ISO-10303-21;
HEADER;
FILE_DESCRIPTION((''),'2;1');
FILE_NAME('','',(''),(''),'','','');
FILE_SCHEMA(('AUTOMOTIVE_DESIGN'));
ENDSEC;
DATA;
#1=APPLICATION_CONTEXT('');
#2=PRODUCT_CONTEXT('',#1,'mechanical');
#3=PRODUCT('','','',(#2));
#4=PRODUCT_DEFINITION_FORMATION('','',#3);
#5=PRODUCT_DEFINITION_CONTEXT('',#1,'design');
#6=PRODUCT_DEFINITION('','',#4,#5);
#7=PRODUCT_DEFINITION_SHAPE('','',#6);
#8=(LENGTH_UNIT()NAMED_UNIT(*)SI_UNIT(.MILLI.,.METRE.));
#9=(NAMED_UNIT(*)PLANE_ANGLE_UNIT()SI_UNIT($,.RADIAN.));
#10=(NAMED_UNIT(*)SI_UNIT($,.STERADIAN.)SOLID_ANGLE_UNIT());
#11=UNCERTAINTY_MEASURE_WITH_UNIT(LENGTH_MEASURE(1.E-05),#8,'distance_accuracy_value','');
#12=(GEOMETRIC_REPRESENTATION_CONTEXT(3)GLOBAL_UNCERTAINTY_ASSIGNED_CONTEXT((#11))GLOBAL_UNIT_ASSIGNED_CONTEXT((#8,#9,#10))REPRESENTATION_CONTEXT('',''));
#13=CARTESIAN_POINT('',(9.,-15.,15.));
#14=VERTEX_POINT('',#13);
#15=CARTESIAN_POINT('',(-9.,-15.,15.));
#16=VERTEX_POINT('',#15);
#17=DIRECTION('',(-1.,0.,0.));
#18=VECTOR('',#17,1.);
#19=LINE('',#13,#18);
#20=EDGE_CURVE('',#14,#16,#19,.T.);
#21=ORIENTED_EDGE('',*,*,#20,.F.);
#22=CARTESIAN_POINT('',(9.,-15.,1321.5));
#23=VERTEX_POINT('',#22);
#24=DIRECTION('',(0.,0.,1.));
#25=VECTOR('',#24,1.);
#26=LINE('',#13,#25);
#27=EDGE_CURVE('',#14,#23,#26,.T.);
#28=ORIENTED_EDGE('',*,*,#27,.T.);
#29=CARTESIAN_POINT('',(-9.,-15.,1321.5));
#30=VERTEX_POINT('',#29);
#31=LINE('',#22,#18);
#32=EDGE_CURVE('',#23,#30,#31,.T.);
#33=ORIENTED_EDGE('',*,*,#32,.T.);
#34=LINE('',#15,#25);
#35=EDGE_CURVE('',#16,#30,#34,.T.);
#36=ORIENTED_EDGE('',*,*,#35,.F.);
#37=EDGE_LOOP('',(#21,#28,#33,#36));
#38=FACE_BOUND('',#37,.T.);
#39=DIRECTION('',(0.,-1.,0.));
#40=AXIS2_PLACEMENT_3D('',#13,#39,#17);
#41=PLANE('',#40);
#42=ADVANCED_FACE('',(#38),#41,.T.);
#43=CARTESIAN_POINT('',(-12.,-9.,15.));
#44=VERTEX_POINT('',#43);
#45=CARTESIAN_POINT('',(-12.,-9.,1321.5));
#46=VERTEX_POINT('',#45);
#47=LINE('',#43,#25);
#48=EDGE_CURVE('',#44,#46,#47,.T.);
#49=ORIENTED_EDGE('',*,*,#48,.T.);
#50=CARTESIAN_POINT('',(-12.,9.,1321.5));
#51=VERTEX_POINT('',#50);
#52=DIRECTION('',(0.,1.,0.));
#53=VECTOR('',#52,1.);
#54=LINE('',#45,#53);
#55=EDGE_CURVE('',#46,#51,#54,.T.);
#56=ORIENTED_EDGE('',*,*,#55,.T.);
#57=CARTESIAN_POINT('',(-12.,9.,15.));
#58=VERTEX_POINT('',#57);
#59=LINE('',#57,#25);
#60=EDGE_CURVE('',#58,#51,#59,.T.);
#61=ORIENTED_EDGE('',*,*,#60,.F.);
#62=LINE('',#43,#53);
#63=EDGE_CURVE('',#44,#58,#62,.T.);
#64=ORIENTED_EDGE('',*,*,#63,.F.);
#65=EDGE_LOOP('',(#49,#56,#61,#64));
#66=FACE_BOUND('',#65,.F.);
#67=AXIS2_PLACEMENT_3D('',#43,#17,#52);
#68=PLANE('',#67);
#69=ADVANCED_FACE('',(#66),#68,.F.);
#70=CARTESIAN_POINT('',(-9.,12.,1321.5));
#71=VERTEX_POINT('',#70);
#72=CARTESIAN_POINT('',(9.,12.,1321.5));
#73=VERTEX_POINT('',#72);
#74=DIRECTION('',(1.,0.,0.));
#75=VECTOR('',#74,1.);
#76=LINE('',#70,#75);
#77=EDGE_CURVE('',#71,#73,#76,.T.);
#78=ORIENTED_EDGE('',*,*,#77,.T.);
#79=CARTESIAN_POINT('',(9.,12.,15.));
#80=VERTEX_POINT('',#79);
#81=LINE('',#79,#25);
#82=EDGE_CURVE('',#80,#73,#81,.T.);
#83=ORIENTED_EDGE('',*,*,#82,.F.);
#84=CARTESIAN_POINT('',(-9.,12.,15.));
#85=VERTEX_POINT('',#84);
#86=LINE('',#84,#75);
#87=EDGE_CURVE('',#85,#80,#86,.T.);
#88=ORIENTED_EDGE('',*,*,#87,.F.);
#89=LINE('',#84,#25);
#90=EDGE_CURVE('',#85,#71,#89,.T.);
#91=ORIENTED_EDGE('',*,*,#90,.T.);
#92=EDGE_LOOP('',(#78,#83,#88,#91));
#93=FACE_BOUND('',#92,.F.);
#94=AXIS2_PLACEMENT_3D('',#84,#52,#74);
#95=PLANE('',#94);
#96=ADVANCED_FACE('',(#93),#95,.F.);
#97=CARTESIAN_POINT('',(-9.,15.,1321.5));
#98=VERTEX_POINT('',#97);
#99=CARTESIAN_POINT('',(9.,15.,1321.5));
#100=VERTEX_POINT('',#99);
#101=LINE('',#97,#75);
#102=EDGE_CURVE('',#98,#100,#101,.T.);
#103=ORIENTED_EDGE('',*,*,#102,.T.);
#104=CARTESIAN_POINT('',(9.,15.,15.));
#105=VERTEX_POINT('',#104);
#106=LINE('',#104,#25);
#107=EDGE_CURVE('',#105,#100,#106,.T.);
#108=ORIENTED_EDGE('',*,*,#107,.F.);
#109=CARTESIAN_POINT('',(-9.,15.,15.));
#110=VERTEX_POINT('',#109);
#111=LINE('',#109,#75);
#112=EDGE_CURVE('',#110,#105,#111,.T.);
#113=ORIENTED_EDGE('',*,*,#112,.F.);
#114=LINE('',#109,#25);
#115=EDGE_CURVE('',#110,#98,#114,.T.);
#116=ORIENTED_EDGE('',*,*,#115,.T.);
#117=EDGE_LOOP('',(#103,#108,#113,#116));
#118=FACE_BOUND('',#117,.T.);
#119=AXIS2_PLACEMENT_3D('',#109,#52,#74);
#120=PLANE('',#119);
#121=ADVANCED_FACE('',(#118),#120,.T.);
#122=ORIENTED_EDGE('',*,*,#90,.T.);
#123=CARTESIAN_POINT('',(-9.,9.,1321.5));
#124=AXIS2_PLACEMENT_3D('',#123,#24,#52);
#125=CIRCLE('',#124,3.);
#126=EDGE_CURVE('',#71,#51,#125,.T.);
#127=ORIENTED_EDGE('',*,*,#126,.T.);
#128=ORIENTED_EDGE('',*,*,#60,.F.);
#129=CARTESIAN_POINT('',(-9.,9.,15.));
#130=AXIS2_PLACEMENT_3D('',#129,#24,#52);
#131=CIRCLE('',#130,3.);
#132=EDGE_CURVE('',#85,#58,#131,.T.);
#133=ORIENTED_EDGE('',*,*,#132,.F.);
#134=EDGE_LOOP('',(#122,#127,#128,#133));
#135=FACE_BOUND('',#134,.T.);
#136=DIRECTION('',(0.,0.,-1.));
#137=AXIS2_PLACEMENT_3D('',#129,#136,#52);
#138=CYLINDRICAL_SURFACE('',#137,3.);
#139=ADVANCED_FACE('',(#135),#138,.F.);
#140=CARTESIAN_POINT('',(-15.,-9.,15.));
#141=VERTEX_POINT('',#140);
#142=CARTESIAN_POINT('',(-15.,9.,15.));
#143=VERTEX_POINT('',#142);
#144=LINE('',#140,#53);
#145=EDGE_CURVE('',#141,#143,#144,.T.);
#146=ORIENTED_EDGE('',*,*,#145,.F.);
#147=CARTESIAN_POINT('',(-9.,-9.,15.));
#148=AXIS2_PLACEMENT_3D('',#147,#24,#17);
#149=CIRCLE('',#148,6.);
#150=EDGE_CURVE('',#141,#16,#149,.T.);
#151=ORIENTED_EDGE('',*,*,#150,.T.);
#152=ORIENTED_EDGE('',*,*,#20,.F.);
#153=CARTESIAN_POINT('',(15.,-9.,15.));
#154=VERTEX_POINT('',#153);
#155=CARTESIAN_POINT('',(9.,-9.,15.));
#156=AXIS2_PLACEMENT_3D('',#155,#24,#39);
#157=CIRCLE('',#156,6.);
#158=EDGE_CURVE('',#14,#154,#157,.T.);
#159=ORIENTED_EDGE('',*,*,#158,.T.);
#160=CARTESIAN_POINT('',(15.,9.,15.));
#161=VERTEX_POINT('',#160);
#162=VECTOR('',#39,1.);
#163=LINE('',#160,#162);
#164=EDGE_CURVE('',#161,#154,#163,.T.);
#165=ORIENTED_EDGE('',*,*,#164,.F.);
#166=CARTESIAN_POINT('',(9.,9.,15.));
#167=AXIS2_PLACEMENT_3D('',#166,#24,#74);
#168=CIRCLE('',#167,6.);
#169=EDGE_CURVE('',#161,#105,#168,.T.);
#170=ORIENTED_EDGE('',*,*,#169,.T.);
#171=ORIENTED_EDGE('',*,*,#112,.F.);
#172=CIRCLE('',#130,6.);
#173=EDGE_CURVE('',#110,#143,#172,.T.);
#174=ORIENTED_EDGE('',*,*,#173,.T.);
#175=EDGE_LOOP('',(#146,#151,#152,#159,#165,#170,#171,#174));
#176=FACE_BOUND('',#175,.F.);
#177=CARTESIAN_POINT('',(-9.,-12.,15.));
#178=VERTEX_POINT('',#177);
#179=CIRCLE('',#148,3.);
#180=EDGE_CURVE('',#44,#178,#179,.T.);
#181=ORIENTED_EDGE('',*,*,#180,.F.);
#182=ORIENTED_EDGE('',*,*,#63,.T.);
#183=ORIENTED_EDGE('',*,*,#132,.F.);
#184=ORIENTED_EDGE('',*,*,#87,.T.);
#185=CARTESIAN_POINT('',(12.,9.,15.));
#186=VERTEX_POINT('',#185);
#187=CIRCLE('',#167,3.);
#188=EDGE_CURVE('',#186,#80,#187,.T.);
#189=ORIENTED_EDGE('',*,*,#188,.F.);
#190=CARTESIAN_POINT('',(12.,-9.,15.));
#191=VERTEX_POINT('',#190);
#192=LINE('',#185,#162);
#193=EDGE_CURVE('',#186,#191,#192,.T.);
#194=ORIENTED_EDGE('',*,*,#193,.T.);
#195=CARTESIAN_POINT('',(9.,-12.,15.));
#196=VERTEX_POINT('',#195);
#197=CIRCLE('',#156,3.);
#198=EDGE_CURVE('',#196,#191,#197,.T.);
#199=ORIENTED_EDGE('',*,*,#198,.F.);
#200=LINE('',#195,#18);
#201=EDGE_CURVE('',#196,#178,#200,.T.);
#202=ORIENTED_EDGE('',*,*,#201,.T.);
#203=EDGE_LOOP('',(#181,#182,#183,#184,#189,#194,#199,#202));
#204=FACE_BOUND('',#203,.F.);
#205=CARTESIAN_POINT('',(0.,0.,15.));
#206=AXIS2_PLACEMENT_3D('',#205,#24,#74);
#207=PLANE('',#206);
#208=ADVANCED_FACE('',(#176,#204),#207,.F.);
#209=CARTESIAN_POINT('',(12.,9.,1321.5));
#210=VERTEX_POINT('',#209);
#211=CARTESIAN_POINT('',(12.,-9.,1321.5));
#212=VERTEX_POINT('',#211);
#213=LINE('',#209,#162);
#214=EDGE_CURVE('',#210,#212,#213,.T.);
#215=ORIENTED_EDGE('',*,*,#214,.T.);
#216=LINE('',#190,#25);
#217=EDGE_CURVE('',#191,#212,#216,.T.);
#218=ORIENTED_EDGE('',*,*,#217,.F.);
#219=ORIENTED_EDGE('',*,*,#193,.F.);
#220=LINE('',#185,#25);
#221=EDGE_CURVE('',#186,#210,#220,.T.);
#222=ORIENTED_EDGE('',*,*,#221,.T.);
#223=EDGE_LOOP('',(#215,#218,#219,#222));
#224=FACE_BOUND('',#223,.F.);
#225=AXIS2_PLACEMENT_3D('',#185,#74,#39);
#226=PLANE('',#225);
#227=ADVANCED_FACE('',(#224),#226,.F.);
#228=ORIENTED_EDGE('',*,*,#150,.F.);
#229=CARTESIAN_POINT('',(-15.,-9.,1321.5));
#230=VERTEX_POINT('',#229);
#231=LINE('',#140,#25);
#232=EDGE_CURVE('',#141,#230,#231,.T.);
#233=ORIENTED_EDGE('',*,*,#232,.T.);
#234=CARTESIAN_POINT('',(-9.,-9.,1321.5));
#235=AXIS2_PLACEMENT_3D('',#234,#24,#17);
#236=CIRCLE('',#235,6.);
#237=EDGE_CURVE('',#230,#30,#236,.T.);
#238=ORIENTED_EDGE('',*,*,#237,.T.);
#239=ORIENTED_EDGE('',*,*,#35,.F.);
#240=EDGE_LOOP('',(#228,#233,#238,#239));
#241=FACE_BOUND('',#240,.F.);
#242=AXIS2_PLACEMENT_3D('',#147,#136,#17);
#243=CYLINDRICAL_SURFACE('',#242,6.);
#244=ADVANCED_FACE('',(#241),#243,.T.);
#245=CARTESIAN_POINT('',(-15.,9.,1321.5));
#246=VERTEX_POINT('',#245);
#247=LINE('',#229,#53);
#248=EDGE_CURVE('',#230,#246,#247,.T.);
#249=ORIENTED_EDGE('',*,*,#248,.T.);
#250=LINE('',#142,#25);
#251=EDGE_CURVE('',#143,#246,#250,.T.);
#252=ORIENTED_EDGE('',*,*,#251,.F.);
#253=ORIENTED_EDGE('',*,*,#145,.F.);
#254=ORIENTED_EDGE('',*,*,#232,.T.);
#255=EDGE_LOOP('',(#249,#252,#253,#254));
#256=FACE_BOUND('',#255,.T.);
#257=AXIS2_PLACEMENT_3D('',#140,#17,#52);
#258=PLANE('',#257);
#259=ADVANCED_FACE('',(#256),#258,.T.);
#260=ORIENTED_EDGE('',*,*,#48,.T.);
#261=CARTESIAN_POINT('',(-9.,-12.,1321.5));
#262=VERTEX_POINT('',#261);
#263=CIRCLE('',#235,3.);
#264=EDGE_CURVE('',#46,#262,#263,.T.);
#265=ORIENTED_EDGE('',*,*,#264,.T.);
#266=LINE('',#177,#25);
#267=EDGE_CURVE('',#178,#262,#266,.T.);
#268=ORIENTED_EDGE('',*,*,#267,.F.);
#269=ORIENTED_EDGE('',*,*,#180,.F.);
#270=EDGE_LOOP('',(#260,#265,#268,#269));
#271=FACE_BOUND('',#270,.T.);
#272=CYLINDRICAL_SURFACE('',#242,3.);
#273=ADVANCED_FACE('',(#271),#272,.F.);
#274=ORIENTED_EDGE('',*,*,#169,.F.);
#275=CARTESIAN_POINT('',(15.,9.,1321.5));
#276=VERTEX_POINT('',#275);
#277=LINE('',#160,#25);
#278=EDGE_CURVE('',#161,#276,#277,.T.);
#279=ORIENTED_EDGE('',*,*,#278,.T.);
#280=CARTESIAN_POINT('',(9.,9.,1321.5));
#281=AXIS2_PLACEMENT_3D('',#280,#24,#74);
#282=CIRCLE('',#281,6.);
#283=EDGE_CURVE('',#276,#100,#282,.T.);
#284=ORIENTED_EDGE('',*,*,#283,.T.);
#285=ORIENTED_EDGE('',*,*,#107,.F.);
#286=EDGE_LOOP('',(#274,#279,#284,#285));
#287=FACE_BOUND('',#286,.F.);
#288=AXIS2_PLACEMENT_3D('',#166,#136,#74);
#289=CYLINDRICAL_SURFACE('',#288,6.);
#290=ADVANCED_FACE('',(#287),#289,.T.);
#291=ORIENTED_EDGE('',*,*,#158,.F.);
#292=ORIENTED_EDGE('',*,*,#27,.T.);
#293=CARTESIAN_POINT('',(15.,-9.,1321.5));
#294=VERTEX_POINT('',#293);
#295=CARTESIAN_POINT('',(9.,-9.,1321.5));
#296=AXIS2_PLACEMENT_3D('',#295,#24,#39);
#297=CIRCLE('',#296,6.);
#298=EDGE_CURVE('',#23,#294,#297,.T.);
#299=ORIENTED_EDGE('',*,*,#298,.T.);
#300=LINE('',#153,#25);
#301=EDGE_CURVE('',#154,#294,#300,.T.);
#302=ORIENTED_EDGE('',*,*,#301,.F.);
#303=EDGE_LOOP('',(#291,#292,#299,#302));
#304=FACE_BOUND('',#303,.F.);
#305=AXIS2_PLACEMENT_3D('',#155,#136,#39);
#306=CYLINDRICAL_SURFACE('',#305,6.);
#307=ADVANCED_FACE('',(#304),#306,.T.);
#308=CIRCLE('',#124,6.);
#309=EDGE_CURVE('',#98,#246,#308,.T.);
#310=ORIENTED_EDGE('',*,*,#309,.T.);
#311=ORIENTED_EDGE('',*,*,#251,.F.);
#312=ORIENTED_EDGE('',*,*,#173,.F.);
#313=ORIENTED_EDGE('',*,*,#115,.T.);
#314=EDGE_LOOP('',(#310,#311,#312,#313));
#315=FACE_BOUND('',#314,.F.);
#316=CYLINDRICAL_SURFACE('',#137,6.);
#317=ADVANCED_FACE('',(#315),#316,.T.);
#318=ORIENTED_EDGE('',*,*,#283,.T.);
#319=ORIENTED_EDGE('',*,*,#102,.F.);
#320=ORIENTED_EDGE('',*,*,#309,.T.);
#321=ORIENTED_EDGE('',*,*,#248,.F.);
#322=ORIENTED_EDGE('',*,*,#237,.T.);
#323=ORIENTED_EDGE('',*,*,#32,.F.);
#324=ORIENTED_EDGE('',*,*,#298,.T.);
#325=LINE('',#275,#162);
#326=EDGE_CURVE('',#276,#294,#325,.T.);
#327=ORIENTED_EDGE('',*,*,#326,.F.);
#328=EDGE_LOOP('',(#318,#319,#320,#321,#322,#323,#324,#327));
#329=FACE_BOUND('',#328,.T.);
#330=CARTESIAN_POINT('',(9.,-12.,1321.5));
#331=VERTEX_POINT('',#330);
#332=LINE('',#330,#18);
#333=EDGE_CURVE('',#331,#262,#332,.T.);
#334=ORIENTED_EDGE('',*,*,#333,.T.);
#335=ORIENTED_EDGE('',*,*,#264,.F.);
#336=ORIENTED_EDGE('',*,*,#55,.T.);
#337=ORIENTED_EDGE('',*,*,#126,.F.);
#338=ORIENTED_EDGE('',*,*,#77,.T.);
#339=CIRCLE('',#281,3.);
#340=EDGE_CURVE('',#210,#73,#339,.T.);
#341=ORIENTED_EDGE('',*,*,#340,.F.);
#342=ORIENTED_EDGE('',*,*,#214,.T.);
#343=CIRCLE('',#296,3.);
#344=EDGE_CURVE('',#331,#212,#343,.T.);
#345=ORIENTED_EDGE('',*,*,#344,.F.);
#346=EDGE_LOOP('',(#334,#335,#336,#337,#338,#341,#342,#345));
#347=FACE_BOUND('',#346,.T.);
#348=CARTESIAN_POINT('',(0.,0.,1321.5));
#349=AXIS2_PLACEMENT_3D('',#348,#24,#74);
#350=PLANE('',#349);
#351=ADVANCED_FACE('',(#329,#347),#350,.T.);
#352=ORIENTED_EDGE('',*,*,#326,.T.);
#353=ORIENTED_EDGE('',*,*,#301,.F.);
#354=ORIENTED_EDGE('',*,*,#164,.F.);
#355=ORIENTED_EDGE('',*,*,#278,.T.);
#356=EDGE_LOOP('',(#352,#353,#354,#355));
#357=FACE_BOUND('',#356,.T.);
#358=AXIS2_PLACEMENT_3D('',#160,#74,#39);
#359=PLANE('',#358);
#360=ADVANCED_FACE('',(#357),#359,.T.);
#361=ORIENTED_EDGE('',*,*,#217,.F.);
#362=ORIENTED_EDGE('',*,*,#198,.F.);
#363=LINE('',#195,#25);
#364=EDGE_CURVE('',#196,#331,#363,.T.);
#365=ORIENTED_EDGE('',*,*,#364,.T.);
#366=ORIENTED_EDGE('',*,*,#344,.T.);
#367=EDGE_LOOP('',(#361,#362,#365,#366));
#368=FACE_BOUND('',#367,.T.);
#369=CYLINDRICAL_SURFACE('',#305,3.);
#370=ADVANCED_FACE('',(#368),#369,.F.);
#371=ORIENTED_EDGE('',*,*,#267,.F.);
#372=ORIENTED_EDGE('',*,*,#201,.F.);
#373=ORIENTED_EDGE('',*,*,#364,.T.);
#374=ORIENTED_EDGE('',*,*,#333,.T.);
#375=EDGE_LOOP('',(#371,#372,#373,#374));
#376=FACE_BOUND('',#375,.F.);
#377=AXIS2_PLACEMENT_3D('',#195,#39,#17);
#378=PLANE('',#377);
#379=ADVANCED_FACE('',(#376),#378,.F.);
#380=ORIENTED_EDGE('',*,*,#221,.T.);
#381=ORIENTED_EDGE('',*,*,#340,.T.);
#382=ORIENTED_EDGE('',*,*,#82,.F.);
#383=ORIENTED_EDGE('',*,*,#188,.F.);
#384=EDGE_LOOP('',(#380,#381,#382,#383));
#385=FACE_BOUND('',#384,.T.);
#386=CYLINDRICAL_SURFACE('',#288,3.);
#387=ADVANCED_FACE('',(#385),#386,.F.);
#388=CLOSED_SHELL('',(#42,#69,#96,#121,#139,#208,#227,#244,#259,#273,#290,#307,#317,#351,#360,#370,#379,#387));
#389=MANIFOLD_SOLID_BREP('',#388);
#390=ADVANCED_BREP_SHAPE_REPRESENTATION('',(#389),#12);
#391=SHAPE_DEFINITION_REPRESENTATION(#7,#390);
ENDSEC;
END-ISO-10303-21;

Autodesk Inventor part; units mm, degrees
ref_plane "Start Plane" through (0, 0, 15) normal (0, 0, 1) x (1, 0, 0)
ref_plane "End Plane" through (0, 0, 1321.5) normal (0, 0, 1) x (1, 0, 0)
sketch "Sketch" plane through (0, 0, 0) normal (0, 0, 1) x (1, 0, 0)
  line L0 (-15, -9) -> (-15, 9)
  line L1 (-9, 15) -> (9, 15)
  line L2 (15, 9) -> (15, -9)
  line L3 (9, -15) -> (-9, -15)
  arc A0 (-15, -9) -> (-9, -15) centre (-9, -9) ccw
  arc A1 (-9, 15) -> (-15, 9) centre (-9, 9) ccw
  arc A2 (15, 9) -> (9, 15) centre (9, 9) ccw
  arc A3 (9, -15) -> (15, -9) centre (9, -9) ccw
  arc A4 (-9, 12) -> (-12, 9) centre (-9, 9) ccw
  line L4 (-9, 12) -> (9, 12)
  arc A5 (12, 9) -> (9, 12) centre (9, 9) ccw
  line L5 (12, 9) -> (12, -9)
  arc A6 (9, -12) -> (12, -9) centre (9, -9) ccw
  line L6 (9, -12) -> (-9, -12)
  arc A7 (-12, -9) -> (-9, -12) centre (-9, -9) ccw
  line L7 (-12, -9) -> (-12, 9)
  line L8 (0, 22.7397) -> (0, -22.7397) construction
  line L9 (-22.7397, 0) -> (22.7397, 0) construction
  dimension "d7" = 6
  dimension "d10" = 30
  dimension "d11" = 30
  dimension "d12" = 3
  dimension "d15" = 15
  dimension "d16" = 15
extrude "Body" add sketch "Sketch" along normal up to surface (1306.5 mm away) from surface at 15
sketch "Sketch3" plane through (0, 0, 0) normal (0, 0, 1) x (1, 0, 0)
  line L0 (0, 0) -> (10, 0)
ref_plane "Work Plane3" through (0, 0, 0) normal (0, -1, 0) x (1, 0, 0)
ref_plane "Work Plane5" through (1522, 9, 15) normal (0, 0, -1) x (-1, 0, 0)
split "Split2" plane through (1522, 9, 15) removes the side toward (0, 0, -1)
sketch "Sketch4" plane through (0, 0, 0) normal (0, -1, 0) x (1, 0, 0)
  line L0 (-2, 15) -> (12, 15) projected
  line L1 (-2, 1321.5) -> (12, 1321.5) projected
  dimension "d18" = 1306.5
equation "\"d7\" = G_IR"
equation "\"d10\" = G_H"
equation "\"d11\" = G_W"
equation "\"d12\" = G_T"
equation "\"d15\" = 0.5 * d10"
equation "\"d16\" = 0.5 * d11"
equation "\"d3\" = G_L"
equation "\"G_W\" = 30"
equation "\"G_H\" = 30"
equation "\"G_T\" = 3"
equation "\"G_IR\" = 6"
equation "\"G_L\" = d18"
equation "\"G_OFFSET_START\" = -15"
equation "\"G_OFFSET_END\" = 0"
equation "\"d13\" = -G_OFFSET_START"
equation "\"d14\" = G_OFFSET_END + B_L"
equation "\"B_L\" = 1321.5"
properties part number "DIN EN 10219-2 - 30 x 30 x 3  - 1306.5" material "Steel, Mild"
